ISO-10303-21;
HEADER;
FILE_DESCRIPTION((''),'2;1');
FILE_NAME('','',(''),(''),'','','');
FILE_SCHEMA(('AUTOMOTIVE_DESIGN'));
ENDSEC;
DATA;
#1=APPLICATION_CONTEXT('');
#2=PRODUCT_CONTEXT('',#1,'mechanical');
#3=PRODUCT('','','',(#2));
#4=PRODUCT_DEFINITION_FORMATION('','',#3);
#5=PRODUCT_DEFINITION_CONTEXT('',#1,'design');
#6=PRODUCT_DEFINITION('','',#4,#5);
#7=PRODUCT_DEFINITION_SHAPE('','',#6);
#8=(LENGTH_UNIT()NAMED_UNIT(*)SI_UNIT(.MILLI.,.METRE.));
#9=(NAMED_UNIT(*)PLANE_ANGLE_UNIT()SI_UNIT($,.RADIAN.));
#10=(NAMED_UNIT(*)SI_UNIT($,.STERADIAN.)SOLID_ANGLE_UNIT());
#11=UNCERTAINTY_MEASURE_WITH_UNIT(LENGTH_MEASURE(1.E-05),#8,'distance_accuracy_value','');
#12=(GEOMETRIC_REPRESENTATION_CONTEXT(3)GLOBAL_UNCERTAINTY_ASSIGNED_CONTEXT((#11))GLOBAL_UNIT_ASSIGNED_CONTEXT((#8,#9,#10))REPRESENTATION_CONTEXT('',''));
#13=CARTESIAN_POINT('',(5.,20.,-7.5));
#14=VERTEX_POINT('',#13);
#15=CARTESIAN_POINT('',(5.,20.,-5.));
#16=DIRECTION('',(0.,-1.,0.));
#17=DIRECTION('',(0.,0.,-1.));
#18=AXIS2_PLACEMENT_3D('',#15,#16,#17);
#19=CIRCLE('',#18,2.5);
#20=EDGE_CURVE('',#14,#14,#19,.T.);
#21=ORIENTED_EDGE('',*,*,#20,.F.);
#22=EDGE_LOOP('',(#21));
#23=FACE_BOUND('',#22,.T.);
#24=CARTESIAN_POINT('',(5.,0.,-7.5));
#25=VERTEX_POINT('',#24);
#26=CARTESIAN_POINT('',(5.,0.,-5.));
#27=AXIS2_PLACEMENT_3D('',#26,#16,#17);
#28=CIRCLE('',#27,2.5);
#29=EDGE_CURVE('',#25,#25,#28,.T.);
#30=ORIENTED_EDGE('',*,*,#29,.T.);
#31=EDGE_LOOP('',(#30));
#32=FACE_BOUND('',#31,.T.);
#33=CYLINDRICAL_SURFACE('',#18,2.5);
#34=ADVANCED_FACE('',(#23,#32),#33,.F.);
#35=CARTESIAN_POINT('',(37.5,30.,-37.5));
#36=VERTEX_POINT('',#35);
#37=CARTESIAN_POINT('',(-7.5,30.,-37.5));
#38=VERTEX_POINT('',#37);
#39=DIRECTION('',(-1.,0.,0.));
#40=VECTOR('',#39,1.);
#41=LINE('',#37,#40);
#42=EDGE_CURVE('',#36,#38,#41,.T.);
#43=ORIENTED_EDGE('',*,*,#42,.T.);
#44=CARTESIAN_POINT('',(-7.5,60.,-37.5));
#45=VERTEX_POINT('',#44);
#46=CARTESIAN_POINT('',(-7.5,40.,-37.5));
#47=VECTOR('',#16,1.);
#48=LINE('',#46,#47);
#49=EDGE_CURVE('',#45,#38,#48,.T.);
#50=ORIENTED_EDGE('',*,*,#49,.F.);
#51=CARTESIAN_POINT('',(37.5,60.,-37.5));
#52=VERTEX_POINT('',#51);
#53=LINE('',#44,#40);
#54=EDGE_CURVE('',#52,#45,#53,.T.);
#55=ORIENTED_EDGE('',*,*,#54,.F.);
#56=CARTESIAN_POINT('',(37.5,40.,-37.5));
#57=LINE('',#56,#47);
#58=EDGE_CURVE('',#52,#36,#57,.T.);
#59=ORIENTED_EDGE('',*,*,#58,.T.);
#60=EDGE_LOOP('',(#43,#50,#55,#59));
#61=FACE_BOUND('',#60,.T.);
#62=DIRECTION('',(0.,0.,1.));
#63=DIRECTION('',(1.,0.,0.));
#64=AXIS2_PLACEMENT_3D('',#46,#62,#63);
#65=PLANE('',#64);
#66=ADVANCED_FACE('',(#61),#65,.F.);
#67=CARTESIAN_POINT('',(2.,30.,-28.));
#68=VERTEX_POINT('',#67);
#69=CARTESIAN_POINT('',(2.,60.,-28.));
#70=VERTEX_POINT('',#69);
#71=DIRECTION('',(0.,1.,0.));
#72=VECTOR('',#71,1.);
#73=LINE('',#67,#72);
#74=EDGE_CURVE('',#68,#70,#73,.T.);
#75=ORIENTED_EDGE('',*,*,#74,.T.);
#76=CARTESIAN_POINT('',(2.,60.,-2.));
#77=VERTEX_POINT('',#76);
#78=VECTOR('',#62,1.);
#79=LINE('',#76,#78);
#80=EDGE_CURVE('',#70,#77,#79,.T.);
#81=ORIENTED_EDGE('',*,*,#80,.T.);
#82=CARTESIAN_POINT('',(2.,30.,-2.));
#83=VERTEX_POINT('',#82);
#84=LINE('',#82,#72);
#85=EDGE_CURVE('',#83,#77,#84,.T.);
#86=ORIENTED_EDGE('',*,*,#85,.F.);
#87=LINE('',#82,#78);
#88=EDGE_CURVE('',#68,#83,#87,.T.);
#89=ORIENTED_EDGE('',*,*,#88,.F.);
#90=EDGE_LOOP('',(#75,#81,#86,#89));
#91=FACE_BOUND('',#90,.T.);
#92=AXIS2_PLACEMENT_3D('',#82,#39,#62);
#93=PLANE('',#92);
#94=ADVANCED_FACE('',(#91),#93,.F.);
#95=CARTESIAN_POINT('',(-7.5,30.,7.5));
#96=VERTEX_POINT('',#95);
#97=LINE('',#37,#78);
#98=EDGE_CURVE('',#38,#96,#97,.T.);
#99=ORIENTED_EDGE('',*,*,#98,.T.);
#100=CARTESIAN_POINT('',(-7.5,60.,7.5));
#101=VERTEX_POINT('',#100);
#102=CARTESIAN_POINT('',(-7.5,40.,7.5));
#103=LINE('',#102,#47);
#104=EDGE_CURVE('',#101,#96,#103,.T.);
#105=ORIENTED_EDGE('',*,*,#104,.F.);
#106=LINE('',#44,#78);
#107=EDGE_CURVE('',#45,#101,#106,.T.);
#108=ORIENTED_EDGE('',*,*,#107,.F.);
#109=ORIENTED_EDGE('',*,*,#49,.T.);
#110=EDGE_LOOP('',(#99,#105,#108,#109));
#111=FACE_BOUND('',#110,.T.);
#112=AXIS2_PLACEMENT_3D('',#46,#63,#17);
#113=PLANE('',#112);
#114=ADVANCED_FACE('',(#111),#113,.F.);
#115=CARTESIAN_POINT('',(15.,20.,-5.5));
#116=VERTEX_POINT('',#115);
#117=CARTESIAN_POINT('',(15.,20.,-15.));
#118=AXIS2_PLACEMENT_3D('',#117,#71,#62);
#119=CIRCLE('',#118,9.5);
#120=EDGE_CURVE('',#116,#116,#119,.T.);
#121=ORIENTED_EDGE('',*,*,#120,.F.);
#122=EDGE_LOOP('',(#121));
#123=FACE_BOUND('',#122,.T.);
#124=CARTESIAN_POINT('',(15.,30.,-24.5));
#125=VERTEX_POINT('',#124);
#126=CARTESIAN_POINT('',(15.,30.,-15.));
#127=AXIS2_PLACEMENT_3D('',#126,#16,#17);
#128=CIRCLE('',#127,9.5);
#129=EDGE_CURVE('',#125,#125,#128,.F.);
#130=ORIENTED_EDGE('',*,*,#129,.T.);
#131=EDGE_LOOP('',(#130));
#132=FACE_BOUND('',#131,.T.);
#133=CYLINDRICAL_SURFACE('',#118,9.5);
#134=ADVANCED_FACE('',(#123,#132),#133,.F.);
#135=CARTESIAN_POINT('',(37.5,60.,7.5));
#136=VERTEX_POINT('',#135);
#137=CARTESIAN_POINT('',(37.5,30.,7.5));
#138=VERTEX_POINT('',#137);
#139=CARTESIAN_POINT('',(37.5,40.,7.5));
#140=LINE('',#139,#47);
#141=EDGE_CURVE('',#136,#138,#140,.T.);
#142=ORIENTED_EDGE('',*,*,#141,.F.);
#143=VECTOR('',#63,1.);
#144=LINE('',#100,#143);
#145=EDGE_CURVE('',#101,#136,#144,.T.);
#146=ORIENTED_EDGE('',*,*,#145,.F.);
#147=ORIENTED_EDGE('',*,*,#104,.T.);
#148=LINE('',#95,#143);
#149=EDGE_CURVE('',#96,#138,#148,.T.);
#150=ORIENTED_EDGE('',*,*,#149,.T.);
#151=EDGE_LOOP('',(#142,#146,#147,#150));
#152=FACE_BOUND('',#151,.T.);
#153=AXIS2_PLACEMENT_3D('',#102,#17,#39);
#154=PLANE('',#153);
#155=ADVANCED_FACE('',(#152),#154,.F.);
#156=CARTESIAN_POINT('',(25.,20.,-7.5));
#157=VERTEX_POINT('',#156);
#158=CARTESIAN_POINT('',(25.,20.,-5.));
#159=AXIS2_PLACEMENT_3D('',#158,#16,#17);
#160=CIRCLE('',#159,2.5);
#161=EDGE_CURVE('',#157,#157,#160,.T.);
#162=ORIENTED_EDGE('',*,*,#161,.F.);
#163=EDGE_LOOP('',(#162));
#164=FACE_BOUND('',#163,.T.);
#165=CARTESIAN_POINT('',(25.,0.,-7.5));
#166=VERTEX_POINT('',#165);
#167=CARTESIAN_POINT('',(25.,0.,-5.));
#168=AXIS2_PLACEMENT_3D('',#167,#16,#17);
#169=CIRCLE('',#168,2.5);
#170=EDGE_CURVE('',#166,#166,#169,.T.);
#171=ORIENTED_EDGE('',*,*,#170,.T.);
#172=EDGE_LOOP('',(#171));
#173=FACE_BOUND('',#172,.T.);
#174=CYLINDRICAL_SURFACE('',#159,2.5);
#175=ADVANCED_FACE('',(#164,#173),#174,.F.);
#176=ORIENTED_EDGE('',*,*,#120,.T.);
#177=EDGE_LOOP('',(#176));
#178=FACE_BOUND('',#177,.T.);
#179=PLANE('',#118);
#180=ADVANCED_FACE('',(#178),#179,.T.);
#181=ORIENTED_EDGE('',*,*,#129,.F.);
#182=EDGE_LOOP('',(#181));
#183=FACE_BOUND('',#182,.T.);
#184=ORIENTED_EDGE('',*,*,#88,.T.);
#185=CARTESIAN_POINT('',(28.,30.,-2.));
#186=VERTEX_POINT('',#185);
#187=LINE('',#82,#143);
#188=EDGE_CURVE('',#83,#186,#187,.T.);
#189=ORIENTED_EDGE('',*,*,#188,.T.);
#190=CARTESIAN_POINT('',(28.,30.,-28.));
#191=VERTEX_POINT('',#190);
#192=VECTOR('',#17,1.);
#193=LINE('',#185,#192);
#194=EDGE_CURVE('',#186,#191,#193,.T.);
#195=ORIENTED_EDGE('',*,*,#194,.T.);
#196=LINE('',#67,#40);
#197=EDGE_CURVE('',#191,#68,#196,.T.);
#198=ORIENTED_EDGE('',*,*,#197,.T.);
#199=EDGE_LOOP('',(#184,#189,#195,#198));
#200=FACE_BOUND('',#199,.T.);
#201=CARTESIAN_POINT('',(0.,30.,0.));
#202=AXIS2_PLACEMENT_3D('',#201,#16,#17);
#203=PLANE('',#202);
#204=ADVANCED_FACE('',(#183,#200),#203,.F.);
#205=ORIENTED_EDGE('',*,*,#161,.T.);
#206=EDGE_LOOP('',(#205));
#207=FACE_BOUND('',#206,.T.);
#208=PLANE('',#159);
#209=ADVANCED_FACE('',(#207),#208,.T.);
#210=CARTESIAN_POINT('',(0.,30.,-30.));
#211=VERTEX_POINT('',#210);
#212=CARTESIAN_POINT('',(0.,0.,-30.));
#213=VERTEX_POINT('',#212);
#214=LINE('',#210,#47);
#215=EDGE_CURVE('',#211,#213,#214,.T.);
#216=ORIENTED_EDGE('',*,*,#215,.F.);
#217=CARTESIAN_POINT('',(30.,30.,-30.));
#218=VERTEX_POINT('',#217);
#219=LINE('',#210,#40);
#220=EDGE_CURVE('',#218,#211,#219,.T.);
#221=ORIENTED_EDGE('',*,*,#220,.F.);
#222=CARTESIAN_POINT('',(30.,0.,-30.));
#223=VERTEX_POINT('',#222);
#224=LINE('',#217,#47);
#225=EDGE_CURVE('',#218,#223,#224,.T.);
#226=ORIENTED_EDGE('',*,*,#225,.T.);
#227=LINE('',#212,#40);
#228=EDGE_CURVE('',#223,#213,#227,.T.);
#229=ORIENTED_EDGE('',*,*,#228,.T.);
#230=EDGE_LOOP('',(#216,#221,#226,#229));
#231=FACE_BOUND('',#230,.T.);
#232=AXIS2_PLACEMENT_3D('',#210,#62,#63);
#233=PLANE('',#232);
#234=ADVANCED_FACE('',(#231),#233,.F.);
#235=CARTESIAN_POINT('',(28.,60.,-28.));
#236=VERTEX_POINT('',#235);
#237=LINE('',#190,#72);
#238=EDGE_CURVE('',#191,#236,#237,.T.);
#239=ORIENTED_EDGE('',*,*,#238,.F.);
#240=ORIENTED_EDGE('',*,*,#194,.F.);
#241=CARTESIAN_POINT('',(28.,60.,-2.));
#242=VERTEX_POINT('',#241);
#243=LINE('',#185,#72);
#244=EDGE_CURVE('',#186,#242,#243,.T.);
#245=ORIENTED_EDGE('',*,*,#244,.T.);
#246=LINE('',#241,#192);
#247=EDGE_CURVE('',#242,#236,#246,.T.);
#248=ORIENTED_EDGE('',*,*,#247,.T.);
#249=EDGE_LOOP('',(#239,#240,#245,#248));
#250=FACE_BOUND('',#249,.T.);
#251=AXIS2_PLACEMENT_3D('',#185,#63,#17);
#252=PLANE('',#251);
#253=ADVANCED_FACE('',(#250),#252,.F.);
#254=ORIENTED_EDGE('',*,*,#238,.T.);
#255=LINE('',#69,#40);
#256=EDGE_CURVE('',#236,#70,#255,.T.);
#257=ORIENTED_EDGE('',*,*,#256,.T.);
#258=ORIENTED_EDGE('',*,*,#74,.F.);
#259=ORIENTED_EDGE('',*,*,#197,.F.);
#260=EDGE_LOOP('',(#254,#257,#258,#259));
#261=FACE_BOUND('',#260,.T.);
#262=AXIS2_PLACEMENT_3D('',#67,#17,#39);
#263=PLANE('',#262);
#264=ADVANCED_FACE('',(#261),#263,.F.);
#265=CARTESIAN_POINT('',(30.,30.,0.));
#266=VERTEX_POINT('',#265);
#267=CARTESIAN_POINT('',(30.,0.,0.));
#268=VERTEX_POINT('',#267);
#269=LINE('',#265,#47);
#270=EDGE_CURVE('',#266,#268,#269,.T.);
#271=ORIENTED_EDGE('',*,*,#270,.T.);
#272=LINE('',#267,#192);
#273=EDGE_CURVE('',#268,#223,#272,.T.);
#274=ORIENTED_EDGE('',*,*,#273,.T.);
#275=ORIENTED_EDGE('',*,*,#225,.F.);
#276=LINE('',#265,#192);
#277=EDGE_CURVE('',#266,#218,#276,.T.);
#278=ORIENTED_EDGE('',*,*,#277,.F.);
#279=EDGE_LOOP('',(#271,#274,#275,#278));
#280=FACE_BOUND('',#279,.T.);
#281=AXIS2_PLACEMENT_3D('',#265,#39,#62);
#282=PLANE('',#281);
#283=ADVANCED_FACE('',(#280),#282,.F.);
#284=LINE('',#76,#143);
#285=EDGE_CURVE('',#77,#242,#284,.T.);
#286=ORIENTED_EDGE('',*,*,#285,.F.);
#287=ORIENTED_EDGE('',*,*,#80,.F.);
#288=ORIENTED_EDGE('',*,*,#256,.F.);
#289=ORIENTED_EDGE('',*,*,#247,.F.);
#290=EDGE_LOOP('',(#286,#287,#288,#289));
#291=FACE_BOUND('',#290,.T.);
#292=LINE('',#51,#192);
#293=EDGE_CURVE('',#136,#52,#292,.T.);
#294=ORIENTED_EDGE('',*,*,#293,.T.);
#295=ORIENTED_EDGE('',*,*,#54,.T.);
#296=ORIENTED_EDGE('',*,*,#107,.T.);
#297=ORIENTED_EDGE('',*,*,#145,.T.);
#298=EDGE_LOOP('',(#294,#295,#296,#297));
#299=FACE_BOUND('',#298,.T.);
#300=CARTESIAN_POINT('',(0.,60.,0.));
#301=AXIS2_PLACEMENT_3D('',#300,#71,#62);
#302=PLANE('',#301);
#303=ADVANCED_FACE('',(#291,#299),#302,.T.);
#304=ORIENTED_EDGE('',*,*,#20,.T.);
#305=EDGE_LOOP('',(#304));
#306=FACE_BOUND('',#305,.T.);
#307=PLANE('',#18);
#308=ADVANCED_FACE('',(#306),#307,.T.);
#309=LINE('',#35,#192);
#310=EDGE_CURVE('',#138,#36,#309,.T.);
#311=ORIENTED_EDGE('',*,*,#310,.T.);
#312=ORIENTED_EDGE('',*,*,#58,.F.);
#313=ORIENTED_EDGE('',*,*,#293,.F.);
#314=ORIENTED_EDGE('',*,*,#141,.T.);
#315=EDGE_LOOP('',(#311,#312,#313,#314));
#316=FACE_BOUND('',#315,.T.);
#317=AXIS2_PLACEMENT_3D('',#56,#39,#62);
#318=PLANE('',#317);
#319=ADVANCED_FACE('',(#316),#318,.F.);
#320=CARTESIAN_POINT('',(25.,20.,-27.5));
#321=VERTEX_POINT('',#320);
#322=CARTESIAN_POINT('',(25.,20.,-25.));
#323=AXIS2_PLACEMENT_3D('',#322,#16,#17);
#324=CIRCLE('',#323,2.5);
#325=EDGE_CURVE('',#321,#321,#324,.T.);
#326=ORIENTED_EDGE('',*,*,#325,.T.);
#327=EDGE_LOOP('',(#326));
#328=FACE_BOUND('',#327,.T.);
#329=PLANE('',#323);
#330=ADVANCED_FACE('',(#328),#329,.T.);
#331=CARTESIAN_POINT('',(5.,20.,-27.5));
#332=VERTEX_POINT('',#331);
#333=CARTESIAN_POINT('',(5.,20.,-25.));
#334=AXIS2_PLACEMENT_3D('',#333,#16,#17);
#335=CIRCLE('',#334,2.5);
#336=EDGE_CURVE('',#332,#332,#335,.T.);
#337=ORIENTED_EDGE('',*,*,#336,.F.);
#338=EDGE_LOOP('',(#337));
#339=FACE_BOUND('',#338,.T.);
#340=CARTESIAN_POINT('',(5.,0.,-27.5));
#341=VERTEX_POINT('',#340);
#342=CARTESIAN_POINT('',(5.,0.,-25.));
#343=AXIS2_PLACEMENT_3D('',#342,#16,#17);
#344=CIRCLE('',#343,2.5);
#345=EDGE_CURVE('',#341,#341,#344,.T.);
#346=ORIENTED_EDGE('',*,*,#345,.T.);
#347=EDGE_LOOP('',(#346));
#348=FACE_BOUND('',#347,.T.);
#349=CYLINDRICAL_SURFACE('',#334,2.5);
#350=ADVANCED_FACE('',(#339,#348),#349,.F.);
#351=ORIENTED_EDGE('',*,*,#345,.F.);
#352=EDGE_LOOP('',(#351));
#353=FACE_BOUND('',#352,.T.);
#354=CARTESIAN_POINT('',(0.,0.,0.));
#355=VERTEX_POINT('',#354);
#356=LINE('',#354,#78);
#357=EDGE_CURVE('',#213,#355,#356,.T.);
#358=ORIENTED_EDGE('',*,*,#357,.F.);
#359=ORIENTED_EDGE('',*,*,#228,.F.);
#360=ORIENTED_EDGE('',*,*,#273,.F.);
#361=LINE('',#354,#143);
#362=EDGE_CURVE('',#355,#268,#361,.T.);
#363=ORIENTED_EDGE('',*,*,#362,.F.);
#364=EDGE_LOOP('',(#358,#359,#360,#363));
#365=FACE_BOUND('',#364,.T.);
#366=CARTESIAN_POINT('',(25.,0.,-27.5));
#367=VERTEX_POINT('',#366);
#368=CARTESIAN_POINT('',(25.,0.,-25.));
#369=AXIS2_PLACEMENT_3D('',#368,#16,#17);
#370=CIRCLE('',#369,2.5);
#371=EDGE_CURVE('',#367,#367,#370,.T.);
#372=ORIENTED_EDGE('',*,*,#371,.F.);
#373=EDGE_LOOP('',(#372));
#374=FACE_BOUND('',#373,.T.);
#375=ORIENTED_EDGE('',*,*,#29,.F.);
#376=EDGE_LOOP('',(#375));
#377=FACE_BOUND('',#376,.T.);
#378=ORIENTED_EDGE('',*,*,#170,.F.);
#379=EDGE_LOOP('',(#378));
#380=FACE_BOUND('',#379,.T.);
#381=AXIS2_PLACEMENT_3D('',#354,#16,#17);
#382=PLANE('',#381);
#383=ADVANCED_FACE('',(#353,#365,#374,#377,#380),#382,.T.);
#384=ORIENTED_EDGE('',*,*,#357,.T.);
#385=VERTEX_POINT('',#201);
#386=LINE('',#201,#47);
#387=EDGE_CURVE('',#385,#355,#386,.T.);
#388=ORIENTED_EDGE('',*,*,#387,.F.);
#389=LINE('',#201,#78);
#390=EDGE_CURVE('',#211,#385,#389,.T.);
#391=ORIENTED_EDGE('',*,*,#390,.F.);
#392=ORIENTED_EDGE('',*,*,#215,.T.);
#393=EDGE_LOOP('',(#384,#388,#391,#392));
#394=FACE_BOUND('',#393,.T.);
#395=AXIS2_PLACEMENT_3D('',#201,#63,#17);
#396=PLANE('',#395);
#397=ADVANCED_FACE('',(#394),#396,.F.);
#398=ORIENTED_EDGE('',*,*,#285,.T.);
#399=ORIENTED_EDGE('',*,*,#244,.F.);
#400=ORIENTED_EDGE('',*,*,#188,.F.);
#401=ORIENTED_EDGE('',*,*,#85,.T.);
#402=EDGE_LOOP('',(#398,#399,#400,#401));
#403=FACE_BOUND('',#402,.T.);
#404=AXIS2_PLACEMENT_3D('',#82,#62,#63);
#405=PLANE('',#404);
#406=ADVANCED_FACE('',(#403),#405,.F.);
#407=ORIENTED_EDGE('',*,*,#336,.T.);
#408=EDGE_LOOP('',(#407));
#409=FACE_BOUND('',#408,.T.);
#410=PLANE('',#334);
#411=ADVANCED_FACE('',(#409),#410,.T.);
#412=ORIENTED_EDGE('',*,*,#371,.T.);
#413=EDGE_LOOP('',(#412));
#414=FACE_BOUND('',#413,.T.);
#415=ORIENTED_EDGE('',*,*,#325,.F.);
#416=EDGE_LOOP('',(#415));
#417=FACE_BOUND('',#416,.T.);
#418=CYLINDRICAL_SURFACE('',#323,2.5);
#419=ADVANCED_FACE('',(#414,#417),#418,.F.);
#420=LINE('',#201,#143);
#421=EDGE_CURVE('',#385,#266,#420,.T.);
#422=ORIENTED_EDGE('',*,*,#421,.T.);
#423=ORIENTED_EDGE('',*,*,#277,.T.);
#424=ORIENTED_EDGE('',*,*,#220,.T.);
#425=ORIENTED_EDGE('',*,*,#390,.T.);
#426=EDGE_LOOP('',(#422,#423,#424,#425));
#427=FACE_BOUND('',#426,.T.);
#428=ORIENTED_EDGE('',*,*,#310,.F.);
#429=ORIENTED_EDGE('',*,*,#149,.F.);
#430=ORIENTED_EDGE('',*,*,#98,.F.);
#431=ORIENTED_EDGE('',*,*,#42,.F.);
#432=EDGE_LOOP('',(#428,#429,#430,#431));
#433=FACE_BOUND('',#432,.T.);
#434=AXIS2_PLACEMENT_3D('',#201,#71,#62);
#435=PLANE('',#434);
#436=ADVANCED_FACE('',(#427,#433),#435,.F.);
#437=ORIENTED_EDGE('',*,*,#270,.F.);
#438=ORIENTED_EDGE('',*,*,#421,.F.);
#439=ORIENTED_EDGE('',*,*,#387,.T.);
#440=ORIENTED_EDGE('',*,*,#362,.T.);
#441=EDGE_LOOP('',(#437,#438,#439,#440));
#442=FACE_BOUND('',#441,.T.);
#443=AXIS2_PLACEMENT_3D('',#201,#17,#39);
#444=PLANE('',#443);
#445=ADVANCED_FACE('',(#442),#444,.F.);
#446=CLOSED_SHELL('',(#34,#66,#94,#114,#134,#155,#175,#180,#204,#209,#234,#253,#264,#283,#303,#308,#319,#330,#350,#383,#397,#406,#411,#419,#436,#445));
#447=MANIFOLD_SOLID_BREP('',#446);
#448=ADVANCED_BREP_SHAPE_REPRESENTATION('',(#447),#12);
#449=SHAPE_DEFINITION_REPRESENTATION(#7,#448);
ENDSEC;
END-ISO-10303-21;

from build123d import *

# Parameters (mm, degrees)
SKETCH1_W           = 30
SKETCH1_H           = 30
BOSS_EXTRUDE1_DEPTH = 30
SKETCH2_W           = 45
SKETCH2_H           = 45
BOSS_EXTRUDE2_DEPTH = 10
SKETCH4_W           = 45
SKETCH4_H           = 45
BOSS_EXTRUDE3_DEPTH = 20
SKETCH5_R           = 9.5
CUT_EXTRUDE1_DEPTH  = 40
SKETCH6_W           = 26
SKETCH6_H           = 26
CUT_EXTRUDE2_DEPTH  = 30
SKETCH7_R           = 2.5
CUT_EXTRUDE3_DEPTH  = 20


with BuildPart() as part:
    # Sketch1 → Boss-Extrude1 (new body)
    with BuildSketch(Plane(origin=(0, 0, 0), x_dir=(1, 0, 0), z_dir=(0, 1, 0))):
        with Locations((15, 15)):
            Rectangle(SKETCH1_W, SKETCH1_H)
    extrude(amount=BOSS_EXTRUDE1_DEPTH)

    # Sketch2 → Boss-Extrude2 (add)
    with BuildSketch(Plane(origin=(0, 30, 0), x_dir=(1, 0, 0), z_dir=(0, 1, 0))):
        with Locations((15, 15)):
            Rectangle(SKETCH2_W, SKETCH2_H)
    extrude(amount=BOSS_EXTRUDE2_DEPTH)

    # Sketch4 → Boss-Extrude3 (add)
    with BuildSketch(Plane(origin=(0, 40, 0), x_dir=(1, 0, 0), z_dir=(0, 1, 0))):
        with Locations((15, 15)):
            Rectangle(SKETCH4_W, SKETCH4_H)
    extrude(amount=BOSS_EXTRUDE3_DEPTH)

    # Sketch5 → Cut-Extrude1 (cut)
    with BuildSketch(Plane(origin=(0, 60, 0), x_dir=(1, 0, 0), z_dir=(0, 1, 0))):
        with Locations((15, 15)):
            Circle(SKETCH5_R)
    extrude(amount=-CUT_EXTRUDE1_DEPTH, mode=Mode.SUBTRACT)

    # Sketch6 → Cut-Extrude2 (cut)
    with BuildSketch(Plane(origin=(0, 60, 0), x_dir=(1, 0, 0), z_dir=(0, 1, 0))):
        with Locations((15, 15)):
            Rectangle(SKETCH6_W, SKETCH6_H)
    extrude(amount=-CUT_EXTRUDE2_DEPTH, mode=Mode.SUBTRACT)

    # Sketch7 → Cut-Extrude3 (cut)
    with BuildSketch(Plane.XZ):
        with Locations((25, -25)):
            Circle(SKETCH7_R)
        with Locations((5, -25)):
            Circle(SKETCH7_R)
        with Locations((5, -5)):
            Circle(SKETCH7_R)
        with Locations((25, -5)):
            Circle(SKETCH7_R)
    extrude(amount=-CUT_EXTRUDE3_DEPTH, mode=Mode.SUBTRACT)


solid = part.part
